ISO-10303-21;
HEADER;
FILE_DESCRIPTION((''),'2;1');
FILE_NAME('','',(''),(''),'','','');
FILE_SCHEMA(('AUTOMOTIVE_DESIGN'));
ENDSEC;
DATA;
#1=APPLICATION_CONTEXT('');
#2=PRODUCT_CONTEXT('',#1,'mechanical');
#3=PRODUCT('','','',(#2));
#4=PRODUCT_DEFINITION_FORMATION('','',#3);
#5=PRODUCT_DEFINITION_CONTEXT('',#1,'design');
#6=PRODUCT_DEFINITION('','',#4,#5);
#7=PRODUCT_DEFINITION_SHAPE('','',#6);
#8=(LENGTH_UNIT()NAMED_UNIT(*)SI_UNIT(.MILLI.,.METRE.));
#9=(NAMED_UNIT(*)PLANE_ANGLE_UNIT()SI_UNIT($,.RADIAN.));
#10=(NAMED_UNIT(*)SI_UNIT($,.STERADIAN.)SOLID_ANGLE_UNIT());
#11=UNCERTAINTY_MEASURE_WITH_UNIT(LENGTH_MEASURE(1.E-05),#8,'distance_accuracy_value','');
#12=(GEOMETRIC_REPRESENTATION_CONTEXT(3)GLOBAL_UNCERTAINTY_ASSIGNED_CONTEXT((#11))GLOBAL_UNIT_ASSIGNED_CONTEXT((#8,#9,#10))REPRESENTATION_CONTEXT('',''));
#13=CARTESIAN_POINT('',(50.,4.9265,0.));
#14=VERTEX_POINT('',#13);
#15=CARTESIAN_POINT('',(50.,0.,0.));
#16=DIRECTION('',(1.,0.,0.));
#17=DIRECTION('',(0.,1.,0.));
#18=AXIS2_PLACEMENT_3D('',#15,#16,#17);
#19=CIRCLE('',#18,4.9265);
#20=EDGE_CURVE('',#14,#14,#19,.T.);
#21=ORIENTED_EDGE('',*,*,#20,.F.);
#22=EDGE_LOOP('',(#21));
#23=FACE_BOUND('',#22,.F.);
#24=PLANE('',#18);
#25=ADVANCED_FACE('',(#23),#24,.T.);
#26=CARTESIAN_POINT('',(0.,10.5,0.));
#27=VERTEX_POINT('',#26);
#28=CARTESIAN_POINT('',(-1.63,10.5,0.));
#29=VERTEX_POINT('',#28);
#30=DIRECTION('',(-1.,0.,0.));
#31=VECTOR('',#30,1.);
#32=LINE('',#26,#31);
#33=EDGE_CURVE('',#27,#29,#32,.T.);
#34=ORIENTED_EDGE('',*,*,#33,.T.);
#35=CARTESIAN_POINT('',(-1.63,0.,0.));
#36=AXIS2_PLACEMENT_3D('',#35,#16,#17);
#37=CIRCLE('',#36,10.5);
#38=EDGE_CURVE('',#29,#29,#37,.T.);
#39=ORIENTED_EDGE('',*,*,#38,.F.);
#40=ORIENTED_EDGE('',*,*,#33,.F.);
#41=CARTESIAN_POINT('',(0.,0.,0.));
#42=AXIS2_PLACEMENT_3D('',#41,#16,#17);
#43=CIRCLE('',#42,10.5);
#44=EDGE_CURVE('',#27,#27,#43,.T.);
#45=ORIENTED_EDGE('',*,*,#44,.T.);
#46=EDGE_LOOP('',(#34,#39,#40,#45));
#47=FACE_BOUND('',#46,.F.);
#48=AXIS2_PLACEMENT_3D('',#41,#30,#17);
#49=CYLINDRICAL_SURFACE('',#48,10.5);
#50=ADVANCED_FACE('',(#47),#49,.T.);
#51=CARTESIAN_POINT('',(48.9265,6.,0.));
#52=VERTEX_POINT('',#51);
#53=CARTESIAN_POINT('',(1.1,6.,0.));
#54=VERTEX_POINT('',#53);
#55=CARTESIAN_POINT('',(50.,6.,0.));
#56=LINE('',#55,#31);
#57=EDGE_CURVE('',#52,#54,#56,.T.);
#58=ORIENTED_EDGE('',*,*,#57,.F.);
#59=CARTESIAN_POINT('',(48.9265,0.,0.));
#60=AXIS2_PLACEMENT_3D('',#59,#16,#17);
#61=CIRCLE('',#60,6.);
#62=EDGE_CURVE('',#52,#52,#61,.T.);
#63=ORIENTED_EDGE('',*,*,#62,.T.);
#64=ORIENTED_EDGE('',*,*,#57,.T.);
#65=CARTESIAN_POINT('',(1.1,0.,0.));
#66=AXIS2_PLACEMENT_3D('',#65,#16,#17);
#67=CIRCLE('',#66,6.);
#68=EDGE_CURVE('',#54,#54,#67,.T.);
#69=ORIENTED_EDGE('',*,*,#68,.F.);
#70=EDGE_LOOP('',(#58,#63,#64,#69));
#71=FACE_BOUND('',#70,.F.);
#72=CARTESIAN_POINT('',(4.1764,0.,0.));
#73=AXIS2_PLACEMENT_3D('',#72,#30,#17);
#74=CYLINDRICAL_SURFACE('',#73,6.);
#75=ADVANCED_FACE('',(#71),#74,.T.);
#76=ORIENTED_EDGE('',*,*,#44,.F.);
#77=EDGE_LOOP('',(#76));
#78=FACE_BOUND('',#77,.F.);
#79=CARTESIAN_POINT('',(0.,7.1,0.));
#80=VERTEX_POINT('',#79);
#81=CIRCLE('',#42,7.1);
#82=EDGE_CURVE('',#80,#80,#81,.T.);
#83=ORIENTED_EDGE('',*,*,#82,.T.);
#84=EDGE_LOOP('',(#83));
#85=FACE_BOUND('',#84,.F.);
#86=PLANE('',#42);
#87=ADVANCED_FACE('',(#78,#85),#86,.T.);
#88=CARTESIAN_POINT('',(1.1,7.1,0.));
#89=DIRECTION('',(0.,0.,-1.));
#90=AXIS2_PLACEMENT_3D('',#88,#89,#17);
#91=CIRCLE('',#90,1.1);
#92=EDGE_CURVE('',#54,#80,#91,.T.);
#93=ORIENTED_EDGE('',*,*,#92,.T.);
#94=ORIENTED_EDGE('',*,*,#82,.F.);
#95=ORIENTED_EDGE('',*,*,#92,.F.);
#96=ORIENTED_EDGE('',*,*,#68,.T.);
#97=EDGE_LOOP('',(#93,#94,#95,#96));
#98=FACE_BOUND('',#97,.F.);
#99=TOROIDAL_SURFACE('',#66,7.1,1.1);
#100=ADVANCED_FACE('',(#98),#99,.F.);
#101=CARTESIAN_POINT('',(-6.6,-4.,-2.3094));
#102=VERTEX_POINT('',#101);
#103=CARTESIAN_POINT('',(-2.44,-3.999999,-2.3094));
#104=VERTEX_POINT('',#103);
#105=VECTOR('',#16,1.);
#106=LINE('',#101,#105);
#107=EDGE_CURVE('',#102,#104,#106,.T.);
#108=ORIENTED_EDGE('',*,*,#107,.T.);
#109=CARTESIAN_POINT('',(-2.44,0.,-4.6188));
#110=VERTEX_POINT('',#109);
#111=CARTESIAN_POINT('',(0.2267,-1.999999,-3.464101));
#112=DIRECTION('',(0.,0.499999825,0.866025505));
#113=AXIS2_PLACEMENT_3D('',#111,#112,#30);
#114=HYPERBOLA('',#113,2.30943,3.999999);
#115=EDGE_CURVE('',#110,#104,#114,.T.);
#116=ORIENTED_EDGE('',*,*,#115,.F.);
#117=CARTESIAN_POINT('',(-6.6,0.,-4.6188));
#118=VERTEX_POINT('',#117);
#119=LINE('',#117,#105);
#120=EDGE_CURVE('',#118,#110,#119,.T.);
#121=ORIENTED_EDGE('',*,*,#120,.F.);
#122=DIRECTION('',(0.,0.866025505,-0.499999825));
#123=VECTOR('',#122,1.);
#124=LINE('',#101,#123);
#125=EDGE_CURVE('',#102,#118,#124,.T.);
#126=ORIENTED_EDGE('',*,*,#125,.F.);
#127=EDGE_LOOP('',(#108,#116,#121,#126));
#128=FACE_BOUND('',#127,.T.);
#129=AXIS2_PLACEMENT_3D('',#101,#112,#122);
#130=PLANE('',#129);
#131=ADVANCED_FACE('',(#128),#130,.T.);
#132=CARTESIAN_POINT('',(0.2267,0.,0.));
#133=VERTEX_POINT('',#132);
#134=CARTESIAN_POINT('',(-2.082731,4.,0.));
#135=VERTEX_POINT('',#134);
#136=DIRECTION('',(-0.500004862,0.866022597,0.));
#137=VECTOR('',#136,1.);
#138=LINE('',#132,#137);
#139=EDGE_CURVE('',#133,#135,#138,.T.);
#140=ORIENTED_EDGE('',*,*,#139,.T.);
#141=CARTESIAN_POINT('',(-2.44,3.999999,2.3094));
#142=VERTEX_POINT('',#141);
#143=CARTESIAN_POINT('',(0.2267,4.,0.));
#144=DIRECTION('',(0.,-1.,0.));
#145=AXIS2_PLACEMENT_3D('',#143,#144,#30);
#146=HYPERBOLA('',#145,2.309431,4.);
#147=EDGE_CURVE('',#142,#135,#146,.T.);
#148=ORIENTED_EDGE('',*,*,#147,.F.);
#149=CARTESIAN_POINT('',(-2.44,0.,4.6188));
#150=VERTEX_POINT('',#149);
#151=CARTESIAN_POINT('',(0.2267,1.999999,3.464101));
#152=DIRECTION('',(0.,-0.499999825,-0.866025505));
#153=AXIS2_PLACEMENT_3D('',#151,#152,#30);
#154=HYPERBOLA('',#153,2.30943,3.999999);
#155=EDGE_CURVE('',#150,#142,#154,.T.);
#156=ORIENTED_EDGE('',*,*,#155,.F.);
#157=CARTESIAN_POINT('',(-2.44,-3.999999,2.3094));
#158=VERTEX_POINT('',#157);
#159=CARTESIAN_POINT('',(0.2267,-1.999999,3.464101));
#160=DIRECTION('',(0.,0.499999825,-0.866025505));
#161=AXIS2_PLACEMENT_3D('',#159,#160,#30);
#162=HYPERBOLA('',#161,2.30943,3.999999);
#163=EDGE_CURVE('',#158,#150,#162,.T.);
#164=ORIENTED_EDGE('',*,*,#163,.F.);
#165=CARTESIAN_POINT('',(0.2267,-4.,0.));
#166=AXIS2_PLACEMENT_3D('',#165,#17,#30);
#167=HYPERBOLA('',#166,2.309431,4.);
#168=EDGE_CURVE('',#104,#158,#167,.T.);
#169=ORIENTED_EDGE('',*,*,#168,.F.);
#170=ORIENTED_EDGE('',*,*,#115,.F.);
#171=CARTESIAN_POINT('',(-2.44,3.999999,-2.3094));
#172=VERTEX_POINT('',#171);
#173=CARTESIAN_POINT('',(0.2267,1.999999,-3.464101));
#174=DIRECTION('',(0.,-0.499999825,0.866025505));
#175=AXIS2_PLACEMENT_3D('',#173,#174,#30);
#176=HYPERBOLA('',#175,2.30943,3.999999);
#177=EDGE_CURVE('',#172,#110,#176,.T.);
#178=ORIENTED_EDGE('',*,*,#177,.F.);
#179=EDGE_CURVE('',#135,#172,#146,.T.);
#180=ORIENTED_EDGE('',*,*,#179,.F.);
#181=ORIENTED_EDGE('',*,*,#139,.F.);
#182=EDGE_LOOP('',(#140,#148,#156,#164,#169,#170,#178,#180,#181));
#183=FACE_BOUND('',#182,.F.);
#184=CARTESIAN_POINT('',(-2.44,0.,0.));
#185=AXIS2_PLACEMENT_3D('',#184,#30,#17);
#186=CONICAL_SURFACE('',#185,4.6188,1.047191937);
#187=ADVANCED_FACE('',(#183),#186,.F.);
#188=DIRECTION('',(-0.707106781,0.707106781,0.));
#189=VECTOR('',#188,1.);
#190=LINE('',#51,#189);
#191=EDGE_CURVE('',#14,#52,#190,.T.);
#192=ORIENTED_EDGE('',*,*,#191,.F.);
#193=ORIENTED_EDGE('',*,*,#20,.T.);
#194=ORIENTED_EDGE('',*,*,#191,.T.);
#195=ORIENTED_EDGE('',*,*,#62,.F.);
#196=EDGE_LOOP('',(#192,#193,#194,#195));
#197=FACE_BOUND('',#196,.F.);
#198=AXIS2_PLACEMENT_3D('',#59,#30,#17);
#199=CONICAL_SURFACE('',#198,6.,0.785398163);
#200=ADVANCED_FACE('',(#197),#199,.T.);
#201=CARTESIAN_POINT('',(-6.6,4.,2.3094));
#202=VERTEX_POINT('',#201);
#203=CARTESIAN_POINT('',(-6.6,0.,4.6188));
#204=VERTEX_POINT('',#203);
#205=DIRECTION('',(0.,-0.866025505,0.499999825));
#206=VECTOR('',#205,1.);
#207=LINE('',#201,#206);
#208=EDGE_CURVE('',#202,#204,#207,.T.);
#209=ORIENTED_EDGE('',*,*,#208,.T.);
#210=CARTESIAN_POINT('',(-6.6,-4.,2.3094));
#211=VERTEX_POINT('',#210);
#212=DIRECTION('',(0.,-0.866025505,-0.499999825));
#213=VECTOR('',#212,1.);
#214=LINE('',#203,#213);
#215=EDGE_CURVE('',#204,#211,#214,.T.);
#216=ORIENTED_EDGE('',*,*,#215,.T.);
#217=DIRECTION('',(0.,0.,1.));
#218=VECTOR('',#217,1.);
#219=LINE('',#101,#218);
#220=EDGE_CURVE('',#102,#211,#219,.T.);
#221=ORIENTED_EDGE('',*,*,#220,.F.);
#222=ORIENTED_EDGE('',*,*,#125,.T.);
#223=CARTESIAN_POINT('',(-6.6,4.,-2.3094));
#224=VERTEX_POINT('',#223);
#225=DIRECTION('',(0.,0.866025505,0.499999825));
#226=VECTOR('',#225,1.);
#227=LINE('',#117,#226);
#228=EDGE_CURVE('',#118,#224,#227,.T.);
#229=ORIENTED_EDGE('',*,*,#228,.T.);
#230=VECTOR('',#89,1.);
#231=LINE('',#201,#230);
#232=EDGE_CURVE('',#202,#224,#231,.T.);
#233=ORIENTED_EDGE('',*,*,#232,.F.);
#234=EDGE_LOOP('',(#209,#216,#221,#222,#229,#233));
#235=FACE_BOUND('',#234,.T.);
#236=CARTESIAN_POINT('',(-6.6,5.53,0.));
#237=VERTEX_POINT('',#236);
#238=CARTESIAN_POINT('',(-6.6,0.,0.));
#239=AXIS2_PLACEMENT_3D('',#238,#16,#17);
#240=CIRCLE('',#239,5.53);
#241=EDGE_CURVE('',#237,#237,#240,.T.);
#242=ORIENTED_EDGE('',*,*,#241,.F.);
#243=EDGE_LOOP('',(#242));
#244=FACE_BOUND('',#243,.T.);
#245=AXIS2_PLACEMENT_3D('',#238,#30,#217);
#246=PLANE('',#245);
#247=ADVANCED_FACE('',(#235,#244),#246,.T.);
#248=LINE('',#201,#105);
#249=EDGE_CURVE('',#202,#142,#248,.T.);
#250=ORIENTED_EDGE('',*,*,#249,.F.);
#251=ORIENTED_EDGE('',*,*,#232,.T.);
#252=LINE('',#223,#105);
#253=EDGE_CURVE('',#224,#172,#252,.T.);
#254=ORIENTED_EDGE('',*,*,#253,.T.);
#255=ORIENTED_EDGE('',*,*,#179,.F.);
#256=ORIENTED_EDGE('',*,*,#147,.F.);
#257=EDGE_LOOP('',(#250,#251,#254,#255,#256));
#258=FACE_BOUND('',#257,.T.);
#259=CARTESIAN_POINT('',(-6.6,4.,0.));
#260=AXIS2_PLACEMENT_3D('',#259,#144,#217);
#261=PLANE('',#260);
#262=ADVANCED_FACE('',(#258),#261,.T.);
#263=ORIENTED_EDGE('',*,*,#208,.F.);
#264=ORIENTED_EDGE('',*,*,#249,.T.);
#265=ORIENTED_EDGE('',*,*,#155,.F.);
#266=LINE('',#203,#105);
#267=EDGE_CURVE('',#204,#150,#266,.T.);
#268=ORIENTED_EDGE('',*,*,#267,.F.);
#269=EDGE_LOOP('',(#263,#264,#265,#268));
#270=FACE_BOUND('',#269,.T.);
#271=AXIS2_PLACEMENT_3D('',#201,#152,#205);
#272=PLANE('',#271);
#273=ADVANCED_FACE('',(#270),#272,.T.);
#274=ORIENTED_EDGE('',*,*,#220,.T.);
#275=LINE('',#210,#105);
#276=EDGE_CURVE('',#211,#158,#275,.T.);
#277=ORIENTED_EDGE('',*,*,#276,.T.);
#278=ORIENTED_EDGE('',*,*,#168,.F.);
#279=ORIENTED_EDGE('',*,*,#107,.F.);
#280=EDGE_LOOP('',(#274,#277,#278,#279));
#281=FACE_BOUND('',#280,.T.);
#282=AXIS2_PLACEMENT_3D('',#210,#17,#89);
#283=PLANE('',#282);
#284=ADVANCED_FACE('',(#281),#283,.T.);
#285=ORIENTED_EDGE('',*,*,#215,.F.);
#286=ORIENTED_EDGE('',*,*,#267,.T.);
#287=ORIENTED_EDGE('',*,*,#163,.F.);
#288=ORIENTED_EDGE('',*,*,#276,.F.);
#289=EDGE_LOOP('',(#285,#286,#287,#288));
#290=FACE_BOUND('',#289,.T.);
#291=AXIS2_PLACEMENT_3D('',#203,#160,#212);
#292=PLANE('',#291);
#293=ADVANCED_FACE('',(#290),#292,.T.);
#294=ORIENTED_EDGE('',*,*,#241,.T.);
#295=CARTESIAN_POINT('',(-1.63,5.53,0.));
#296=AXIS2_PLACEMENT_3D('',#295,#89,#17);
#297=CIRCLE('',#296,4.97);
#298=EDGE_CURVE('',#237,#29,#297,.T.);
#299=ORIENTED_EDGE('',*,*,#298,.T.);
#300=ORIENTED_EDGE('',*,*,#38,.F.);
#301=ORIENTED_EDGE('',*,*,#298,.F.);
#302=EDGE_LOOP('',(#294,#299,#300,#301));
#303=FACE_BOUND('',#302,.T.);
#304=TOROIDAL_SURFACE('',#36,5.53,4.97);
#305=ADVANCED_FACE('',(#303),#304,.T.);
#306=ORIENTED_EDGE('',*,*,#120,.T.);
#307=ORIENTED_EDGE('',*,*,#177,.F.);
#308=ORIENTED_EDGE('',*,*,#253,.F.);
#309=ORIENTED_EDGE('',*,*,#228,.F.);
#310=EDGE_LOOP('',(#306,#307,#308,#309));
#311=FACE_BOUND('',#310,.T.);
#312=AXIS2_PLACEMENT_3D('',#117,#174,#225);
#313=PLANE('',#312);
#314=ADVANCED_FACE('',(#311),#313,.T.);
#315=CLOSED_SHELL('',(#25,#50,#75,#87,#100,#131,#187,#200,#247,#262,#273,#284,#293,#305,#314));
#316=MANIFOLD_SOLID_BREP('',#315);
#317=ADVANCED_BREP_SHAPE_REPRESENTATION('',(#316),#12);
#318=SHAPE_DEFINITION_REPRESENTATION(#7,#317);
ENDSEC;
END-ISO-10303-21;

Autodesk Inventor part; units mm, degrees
ref_plane "YZ Plane" through (0, 0, 0) normal (1, 0, 0) x (0, 1, 0)
ref_plane "XZ Plane" through (0, 0, 0) normal (0, 1, 0) x (-1, 0, 0)
sketch "Skizze1" plane through (0, 0, 0) normal (0, 0, 1) x (1, 0, 0)
  line L0 (0.2267, 0) -> (50, 0)
  line L1 (50, 0) -> (50, 6)
  line L2 (50, 6) -> (5.25, 6)
  line L3 (5.25, 6) -> (4.1764, 6)
  line L4 (4.1764, 6) -> (0, 6)
  line L5 (0, 6) -> (0, 10.5)
  line L6 (0, 10.5) -> (-6.6, 10.5)
  line L7 (-6.6, 10.5) -> (-6.6, 4.6188)
  line L8 (-6.6, 4.6188) -> (-2.44, 4.6188)
  line L9 (-2.44, 4.6188) -> (0.2267, 0)
  line L10 (-17.92, 0) -> (61.32, 0) projected
  line L11 (0, -2.1) -> (0, 12.6) projected
  line L12 (5.25, 6) -> (0, 6) construction
  dimension "d1" = 44.75
  dimension "d2" = 1.0736
  dimension "d3" = 6.6
  dimension "d4" = 4.16
  dimension "d5" = 60
  dimension "d6" = 12
  dimension "d7" = 12
  dimension "d8" = 9.2376
  dimension "d9" = 21
  dimension "d26" = 50
revolve "Körper" add sketch "Skizze1" angle 360 about axis through (0.2267, 0, 0) along (1, 0, 0) contours L9 L11 L4 L3 L2 L1 L0 | L9 L8 L7 L6 L5 L11
sketch "Skizze2" plane through (-6.6, 0, 0) normal (-1, 0, 0) x (0, 0, 1)
  circle A0 centre (0, 0) radius 4.6188 projected
  line L0 (0, -14.7) -> (0, 14.7) projected
  line L1 (-14.7, 0) -> (14.7, 0) projected
  line L2 (4.6188, 0) -> (2.3094, -4)
  line L3 (2.3094, -4) -> (-2.3094, -4)
  line L4 (-2.3094, -4) -> (-4.6188, 0)
  line L5 (-4.6188, 0) -> (-2.3094, 4)
  line L6 (-2.3094, 4) -> (2.3094, 4)
  line L7 (2.3094, 4) -> (4.6188, 0)
extrude "Loch" add sketch "Skizze2" against normal up to next contours L7 A0 | A0 L2 | L6 L0 A0 | A0 L0 L3 | L0 L6 A0 | A0 L3 L0 | L4 A0 | A0 L5
fillet "Rundung1" radius 4.97 1 edges at (-6.6, -10.5, 0)
thread "Gewinde" size "M12x1.75" class "6g" standard "ISO Metric profile" length 44.75
chamfer "Fase1" distance 1.0735 distance2 1.0735 1 edges at (50, -6, 0) measured on face at (50, 1.5551, -0.8476)
ref_plane "Work Plane1" through (29, 0, 0) normal (0, -1, 0) x (1, 0, 0)
fillet "Rundung2" radius 1.1 1 edges at (0, -6, 0)
equation "\"d1\" = GEL"
equation "\"d3\" = KOH"
equation "\"d4\" = INTI"
equation "\"d6\" = GD"
equation "\"d7\" = BDM"
equation "\"d8\" = 1.1547 * SW"
equation "\"d9\" = KOD"
equation "\"d26\" = NLG"
equation "\"d17\" = RR"
equation "\"d13\" = GEL"
equation "\"d15\" = -0.5 * SPD + 0.5 * GD"
equation "\"d16\" = GUL"
equation "\"d30\" = R"
equation "\"GD\" = NND"
equation "\"NLG\" = 50"
equation "\"GEL\" = 44.75"
equation "\"KOD\" = 21"
equation "\"KOH\" = 6.6"
equation "\"INTI\" = 4.16"
equation "\"GAL\" = 0.61345 * PTC"
equation "\"GUL\" = 0.61345 * PTC"
equation "\"BDM\" = NND"
equation "\"SW\" = 8"
equation "\"RR\" = 4.97"
equation "\"SPD\" = NND - 1.2269 * PTC"
equation "\"R\" = 1.1"
equation "\"TOA\" = 30deg"
equation "\"GD1\" = THREADDIA - 1.2269 * PTC"
equation "\"THREADDIA\" = 12"
equation "\"PTC\" = 1.75"
equation "\"NND\" = 12"
equation "\"KOH1\" = 1.63"
equation "\"E0\" = 9.149"
properties part number "ISO 7380-1 - M12 x 50" material "Stahl"
